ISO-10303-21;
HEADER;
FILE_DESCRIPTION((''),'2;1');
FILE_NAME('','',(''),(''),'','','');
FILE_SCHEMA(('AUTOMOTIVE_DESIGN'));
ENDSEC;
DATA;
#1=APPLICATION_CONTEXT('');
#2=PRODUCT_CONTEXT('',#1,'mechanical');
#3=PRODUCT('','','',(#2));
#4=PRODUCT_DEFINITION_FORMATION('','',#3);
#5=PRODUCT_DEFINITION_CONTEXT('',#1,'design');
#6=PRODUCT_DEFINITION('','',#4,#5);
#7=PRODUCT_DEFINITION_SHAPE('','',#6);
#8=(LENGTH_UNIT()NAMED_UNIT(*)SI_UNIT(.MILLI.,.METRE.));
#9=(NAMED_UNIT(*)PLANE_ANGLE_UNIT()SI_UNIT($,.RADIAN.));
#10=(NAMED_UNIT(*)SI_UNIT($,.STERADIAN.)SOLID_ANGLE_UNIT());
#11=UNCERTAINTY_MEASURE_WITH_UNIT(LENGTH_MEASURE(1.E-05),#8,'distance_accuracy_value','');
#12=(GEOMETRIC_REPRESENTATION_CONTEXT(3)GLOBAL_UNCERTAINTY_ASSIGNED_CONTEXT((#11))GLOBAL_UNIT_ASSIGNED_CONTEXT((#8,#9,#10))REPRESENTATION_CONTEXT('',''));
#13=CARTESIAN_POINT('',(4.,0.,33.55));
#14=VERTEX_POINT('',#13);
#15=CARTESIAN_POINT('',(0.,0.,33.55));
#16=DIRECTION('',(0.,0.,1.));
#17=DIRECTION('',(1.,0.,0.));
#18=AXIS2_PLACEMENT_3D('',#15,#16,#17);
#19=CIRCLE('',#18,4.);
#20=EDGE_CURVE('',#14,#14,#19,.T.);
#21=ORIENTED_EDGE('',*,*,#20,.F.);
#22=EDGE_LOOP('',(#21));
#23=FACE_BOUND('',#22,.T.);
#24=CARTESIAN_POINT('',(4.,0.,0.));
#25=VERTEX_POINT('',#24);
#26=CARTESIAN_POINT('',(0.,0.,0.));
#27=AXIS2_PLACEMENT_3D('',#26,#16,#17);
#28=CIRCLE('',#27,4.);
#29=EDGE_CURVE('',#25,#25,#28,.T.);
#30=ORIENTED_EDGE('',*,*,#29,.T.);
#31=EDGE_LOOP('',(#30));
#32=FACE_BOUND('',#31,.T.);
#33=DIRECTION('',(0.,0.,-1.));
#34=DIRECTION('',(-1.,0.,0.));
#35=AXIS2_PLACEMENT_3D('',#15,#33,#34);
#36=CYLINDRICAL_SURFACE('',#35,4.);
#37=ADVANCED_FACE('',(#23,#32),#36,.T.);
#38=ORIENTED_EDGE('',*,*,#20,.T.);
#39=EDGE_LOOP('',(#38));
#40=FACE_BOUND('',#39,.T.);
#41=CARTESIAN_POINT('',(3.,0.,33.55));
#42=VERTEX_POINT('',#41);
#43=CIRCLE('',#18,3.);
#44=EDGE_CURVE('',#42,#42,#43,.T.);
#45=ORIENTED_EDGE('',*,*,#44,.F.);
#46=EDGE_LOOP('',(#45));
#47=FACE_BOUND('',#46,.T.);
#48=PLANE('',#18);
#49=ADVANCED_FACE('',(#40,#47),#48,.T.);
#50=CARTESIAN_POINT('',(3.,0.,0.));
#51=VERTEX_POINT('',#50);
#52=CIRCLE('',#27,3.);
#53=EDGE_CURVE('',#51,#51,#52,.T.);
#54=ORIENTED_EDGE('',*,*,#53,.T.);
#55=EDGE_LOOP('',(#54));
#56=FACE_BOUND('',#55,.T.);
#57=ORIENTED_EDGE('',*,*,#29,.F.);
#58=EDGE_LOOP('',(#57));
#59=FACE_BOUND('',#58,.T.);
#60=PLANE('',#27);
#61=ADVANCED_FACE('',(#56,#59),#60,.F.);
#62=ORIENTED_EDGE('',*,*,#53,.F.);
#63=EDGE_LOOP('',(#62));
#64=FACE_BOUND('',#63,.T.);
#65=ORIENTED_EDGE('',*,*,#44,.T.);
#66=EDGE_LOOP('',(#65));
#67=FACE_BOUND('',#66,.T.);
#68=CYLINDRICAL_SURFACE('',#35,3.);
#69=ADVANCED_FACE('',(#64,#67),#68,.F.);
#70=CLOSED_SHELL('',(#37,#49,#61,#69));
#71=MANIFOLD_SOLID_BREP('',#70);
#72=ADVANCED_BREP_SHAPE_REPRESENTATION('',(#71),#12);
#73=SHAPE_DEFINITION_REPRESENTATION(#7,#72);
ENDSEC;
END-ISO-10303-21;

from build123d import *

# Parameters (mm, degrees)
SKETCH1_R           = 4
SKETCH1_R_2         = 3
BOSS_EXTRUDE1_DEPTH = 33.55


with BuildPart() as part:
    # Sketch1 → Boss-Extrude1 (new body)
    with BuildSketch(Plane.XY):
        Circle(SKETCH1_R)
        Circle(SKETCH1_R_2, mode=Mode.SUBTRACT)
    extrude(amount=BOSS_EXTRUDE1_DEPTH)


solid = part.part
